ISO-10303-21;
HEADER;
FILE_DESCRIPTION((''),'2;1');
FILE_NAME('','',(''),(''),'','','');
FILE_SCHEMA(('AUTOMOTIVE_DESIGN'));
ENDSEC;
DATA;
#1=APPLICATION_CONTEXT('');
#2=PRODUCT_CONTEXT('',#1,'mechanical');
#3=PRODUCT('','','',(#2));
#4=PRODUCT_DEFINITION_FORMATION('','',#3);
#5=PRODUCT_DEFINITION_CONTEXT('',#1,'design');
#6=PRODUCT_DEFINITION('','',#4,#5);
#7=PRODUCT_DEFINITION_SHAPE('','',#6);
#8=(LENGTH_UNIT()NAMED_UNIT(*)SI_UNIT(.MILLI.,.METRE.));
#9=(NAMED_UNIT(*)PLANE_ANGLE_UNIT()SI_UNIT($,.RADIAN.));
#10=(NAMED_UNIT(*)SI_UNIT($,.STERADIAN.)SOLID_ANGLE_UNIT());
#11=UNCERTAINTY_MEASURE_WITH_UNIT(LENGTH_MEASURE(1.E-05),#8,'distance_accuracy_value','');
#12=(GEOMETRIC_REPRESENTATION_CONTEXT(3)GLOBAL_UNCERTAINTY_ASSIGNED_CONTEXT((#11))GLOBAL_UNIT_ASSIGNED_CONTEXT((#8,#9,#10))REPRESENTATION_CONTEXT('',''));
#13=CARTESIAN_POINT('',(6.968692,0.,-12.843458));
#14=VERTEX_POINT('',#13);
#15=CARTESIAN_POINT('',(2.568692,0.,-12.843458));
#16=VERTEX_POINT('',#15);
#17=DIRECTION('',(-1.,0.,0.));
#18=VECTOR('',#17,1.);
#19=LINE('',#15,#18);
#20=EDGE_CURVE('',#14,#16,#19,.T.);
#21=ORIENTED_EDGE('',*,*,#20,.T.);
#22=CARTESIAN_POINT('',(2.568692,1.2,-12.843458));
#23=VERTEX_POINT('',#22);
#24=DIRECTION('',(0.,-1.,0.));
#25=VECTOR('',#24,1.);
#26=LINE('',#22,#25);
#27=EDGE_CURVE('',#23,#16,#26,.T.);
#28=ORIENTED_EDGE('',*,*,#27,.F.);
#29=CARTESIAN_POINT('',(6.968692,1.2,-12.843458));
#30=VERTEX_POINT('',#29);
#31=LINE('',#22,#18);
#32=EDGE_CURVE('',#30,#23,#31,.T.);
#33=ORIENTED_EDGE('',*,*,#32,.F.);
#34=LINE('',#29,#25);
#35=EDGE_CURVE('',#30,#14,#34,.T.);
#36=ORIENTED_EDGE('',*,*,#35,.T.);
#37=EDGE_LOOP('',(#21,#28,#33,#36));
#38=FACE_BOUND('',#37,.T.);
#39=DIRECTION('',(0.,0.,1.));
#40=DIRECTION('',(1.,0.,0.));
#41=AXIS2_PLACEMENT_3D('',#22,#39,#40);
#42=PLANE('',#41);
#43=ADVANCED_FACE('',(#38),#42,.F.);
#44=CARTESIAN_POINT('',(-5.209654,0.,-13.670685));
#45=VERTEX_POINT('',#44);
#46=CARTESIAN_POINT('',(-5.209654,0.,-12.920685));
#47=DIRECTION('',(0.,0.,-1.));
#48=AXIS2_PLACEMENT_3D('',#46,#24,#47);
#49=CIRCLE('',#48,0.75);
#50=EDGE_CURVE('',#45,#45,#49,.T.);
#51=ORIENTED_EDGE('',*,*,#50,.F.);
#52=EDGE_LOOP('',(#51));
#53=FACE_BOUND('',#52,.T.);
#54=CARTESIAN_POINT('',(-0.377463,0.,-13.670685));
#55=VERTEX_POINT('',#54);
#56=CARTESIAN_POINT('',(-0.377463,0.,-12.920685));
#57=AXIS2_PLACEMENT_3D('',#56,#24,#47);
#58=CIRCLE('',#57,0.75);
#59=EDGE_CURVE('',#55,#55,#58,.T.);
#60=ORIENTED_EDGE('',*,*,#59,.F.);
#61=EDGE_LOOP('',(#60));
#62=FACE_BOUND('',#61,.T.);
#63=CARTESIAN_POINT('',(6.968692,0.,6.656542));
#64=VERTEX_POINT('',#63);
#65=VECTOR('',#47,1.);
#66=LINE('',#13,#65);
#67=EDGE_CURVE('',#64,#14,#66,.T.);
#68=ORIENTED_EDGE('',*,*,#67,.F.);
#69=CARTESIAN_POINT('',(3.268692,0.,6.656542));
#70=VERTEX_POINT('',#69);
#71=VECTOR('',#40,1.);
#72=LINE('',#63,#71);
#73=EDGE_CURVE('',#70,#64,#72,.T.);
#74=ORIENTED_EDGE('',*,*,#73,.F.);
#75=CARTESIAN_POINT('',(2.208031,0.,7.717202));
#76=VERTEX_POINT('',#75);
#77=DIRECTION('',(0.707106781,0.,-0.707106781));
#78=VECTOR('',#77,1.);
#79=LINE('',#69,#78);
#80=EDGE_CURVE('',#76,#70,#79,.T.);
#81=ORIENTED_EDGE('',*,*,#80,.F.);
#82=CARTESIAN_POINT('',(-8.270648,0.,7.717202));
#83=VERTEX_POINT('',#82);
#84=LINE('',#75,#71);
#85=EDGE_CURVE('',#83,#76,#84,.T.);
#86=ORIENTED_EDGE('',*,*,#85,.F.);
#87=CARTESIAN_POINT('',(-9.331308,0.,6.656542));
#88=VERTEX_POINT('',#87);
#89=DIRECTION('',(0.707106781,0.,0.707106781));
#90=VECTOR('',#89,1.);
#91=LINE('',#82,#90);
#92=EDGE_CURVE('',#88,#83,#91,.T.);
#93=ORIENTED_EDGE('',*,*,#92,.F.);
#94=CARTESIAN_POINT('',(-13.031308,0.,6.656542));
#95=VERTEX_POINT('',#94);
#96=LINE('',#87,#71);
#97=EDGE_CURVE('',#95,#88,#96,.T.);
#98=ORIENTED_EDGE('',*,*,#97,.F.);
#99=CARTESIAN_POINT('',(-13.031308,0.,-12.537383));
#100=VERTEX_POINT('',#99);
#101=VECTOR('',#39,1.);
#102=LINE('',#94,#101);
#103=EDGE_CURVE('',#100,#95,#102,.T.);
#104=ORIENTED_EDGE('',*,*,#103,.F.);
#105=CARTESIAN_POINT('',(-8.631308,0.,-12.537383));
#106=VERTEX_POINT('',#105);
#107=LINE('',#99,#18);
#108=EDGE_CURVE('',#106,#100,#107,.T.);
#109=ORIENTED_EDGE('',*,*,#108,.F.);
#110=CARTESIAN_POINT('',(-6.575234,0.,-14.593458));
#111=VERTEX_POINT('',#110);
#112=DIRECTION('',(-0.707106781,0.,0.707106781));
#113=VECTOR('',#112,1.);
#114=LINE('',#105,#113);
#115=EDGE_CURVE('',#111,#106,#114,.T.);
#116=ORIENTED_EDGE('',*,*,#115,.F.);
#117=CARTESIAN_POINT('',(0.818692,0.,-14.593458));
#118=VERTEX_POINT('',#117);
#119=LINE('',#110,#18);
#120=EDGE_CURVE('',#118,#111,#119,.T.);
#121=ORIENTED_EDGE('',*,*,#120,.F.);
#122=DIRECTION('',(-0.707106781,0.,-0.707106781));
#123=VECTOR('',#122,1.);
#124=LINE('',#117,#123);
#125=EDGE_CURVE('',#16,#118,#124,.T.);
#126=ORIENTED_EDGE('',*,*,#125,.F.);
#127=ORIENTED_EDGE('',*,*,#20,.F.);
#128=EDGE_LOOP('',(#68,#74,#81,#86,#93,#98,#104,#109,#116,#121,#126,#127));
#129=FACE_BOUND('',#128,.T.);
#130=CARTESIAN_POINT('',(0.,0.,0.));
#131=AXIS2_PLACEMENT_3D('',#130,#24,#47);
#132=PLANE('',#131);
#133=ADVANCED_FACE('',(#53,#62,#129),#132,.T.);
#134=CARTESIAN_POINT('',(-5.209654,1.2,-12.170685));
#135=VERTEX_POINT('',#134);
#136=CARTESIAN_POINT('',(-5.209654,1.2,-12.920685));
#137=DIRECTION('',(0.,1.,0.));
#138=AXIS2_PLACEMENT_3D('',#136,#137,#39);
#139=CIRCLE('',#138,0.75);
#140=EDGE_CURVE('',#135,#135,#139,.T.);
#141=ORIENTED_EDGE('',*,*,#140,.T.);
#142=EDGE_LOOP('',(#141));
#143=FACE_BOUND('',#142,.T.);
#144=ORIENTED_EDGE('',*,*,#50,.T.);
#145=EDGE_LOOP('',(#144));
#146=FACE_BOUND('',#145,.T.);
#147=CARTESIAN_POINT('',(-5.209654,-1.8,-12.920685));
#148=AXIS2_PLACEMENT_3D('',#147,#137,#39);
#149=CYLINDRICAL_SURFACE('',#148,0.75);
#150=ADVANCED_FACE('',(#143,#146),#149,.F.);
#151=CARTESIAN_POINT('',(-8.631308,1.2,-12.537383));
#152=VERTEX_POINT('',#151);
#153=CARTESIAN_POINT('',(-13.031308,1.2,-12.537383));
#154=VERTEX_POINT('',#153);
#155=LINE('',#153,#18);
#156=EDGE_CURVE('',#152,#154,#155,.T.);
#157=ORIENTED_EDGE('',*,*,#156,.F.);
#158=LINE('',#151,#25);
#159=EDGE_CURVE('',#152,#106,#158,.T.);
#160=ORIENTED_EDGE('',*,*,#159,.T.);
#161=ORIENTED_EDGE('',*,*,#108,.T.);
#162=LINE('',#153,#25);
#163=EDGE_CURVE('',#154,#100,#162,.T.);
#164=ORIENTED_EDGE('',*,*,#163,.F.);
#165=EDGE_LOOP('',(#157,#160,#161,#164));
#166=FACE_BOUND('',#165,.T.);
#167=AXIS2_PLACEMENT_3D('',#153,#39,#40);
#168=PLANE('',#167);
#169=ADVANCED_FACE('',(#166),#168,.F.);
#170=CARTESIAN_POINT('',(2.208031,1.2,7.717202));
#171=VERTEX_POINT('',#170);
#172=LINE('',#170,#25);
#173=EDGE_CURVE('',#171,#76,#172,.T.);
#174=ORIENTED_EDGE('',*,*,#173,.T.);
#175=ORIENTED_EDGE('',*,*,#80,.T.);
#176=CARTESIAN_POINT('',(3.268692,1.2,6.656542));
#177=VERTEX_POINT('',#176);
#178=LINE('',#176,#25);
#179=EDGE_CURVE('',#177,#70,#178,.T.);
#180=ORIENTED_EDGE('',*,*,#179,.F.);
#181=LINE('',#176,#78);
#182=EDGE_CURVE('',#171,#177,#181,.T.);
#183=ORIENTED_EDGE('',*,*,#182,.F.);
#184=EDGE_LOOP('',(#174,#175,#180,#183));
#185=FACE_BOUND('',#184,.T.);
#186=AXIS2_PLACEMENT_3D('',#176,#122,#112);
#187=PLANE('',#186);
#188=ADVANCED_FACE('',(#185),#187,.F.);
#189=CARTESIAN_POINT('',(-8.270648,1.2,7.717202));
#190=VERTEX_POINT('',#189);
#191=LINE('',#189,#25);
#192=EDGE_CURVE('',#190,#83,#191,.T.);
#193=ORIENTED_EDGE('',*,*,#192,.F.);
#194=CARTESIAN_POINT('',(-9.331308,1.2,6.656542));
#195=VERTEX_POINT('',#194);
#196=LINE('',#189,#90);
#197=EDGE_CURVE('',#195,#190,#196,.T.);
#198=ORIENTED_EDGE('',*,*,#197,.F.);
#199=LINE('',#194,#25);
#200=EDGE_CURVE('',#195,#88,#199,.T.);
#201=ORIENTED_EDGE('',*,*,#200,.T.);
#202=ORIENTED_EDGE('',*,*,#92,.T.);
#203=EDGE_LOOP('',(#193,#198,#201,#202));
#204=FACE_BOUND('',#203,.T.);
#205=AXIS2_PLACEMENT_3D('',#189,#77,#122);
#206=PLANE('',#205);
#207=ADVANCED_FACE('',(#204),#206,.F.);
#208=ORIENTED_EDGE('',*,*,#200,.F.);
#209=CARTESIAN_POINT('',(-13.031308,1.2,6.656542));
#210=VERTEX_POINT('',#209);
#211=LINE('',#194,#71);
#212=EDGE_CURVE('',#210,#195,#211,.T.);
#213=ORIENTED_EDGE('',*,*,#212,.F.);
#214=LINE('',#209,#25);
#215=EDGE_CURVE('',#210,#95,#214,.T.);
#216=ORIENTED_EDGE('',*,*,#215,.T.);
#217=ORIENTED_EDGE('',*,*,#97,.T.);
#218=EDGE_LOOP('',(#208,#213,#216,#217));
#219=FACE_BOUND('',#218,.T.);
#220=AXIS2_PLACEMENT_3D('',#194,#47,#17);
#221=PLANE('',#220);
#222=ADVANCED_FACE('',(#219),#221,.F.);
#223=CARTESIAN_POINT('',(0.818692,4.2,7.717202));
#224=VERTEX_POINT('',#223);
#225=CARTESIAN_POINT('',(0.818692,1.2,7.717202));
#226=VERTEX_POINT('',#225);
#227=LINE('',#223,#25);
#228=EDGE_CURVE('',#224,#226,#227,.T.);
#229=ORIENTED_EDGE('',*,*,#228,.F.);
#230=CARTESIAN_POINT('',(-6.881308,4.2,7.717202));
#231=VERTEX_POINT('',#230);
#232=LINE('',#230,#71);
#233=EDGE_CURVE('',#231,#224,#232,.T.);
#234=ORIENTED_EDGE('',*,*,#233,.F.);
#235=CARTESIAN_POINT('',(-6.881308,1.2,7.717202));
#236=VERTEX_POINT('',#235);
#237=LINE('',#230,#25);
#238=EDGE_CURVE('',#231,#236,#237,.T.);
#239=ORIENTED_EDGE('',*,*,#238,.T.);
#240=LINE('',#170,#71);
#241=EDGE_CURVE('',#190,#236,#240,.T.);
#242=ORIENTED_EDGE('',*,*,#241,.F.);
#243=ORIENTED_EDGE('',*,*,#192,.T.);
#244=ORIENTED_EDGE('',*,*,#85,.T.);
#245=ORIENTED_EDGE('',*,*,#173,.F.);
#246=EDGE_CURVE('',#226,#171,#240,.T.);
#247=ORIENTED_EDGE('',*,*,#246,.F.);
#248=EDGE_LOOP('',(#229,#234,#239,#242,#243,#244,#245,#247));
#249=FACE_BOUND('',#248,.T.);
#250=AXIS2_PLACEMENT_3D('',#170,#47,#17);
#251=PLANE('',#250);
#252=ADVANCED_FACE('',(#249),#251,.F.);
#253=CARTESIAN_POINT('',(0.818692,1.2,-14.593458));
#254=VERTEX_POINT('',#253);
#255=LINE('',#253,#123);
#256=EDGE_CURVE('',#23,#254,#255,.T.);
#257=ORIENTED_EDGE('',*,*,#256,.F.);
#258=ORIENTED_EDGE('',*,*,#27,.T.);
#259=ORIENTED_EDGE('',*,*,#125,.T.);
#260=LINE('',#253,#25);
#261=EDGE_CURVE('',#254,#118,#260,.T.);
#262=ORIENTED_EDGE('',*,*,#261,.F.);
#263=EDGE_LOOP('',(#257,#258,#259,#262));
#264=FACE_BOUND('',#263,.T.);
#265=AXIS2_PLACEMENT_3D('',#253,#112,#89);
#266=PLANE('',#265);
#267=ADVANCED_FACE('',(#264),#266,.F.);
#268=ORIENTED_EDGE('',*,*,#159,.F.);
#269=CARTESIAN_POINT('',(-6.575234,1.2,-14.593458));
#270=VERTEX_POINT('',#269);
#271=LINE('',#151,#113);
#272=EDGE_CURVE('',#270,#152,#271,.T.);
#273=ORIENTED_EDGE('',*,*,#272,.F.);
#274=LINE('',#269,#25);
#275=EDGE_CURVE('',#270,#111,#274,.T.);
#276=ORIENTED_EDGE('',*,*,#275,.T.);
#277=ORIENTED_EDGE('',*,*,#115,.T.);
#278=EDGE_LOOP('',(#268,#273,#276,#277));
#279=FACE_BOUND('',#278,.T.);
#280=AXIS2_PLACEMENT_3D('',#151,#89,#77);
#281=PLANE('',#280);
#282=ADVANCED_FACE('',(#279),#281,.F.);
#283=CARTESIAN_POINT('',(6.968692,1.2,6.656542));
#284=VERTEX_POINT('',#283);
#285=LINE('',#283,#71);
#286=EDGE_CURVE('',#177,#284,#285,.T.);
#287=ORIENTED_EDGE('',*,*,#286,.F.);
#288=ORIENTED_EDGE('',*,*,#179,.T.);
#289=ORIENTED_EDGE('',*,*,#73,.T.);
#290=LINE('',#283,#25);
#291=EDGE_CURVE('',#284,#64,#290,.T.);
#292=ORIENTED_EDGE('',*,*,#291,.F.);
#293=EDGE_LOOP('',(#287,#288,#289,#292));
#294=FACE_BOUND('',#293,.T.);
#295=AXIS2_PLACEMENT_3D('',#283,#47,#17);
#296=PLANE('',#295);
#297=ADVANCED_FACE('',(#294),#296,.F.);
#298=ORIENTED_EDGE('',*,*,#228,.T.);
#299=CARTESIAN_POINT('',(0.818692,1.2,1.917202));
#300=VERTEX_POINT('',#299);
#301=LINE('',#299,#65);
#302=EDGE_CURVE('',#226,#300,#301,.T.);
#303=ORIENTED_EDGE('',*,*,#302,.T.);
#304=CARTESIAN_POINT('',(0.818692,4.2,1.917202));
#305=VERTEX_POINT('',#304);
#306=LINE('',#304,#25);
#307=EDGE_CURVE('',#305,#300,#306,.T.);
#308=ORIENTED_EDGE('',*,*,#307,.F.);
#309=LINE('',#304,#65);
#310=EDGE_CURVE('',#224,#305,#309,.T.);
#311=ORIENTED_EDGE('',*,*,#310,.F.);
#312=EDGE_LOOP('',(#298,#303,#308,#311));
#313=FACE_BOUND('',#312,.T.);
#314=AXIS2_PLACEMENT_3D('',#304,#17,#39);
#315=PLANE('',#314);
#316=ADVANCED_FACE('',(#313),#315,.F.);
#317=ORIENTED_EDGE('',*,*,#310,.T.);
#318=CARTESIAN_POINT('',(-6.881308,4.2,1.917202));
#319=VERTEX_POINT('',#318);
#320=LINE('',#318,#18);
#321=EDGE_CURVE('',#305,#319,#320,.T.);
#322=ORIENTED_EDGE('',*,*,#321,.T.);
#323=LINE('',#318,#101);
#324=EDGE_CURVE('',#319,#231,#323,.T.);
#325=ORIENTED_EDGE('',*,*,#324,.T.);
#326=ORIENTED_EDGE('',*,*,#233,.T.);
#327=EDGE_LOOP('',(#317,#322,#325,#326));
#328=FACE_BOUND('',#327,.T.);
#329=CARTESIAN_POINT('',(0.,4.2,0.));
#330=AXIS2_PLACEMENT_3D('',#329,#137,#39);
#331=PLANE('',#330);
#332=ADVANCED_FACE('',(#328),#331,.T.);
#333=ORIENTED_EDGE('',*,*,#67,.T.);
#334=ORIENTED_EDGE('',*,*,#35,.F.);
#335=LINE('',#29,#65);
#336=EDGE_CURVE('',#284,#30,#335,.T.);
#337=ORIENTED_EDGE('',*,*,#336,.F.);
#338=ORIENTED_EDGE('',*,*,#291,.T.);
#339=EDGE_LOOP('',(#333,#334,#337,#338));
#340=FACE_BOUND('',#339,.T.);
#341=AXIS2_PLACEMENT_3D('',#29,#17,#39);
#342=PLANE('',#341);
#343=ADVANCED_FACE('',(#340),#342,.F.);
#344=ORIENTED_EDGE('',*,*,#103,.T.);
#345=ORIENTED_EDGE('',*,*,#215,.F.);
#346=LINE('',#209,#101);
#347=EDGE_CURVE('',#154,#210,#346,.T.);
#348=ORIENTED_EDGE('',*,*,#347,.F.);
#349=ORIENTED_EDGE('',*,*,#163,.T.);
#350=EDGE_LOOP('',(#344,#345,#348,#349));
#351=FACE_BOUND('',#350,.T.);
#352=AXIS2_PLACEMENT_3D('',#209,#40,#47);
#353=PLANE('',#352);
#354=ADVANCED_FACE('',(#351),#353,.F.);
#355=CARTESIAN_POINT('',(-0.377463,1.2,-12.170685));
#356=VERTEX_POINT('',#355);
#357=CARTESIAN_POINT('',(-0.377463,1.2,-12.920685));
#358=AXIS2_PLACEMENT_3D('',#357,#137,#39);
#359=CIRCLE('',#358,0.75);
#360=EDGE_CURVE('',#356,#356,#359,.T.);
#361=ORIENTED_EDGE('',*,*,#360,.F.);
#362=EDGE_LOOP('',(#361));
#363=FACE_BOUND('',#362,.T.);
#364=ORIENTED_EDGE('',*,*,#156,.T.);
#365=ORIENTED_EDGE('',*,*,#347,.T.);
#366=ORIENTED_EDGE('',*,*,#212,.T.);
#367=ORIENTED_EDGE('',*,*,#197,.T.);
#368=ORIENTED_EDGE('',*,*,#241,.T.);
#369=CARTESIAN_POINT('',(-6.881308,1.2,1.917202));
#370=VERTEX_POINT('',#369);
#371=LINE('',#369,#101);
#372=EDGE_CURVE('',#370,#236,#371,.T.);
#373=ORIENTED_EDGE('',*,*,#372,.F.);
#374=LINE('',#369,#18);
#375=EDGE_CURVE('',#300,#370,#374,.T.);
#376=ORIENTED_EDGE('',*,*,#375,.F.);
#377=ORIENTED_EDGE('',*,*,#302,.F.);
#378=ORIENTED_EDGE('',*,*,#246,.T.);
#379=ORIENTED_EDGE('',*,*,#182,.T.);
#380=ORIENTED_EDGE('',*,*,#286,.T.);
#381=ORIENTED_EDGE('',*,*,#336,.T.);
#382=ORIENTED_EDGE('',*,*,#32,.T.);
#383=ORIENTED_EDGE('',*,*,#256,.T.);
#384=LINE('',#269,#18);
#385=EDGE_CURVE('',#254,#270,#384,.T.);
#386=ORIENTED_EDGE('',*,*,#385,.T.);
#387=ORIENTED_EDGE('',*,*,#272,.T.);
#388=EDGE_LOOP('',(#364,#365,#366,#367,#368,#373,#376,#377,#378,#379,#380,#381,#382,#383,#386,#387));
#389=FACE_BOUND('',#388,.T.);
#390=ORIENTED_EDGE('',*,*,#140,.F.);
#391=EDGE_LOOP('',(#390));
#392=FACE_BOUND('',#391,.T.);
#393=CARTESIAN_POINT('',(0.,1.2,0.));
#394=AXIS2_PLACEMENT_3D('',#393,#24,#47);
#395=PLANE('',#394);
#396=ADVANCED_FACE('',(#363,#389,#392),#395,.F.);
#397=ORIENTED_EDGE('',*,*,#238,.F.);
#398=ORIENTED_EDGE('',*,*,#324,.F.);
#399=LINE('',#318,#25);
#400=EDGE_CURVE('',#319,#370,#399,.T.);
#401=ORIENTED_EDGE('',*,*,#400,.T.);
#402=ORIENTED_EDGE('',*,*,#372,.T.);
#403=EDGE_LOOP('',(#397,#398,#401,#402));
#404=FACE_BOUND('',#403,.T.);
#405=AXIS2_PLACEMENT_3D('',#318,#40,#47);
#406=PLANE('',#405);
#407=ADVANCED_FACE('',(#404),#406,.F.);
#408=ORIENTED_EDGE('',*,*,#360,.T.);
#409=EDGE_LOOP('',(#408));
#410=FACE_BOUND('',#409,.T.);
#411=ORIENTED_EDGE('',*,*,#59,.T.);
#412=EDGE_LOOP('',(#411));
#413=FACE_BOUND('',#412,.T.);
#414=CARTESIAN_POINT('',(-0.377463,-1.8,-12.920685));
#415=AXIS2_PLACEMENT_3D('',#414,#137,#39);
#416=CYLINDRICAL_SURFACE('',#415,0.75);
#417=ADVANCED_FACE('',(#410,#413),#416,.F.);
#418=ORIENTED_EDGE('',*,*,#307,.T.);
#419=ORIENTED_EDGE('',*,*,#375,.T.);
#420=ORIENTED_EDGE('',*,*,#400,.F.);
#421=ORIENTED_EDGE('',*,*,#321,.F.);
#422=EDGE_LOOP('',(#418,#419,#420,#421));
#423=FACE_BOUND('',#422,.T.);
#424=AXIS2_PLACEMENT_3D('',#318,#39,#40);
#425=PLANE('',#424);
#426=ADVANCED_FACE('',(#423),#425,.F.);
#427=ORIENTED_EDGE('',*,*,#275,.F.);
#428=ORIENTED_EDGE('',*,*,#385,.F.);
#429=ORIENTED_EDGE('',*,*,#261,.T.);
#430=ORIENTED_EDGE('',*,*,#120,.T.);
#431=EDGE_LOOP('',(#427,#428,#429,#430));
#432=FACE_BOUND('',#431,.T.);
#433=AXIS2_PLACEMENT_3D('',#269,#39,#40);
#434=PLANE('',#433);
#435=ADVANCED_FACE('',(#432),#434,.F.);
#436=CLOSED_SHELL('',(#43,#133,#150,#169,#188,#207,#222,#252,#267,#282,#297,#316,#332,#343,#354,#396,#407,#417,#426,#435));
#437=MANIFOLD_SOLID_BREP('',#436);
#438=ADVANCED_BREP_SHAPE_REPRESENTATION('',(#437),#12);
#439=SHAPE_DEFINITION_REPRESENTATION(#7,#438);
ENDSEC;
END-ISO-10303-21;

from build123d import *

# Parameters (mm, degrees)
BOSS_EXTRUDE1_DEPTH = 1.2
SKETCH2_W           = 7.7
SKETCH2_H           = 5.8
BOSS_EXTRUDE2_DEPTH = 3
SKETCH5_R           = 0.75
CUT_EXTRUDE1_DEPTH  = 3


with BuildPart() as part:
    # Sketch1 → Boss-Extrude1 (new body)
    with BuildSketch(Plane(origin=(0, 0, 0), x_dir=(1, 0, 0), z_dir=(0, 1, 0))):
        Polygon((-13.031308411, -6.656542056), (-13.031308411, 12.537383178), (-8.631308411, 12.537383178), (-6.575233645, 14.593457944), (0.818691589, 14.593457944), (2.568691589, 12.843457944), (6.968691589, 12.843457944), (6.968691589, -6.656542056), (3.268691589, -6.656542056), (2.208031417, -7.717202228), (-8.270648239, -7.717202228), (-9.331308411, -6.656542056), align=None)
    extrude(amount=BOSS_EXTRUDE1_DEPTH)

    # Sketch2 → Boss-Extrude2 (add)
    with BuildSketch(Plane(origin=(0, 1.2, 0), x_dir=(1, 0, 0), z_dir=(0, 1, 0))):
        with Locations((-3.031308411, -4.817202228)):
            Rectangle(SKETCH2_W, SKETCH2_H)
    extrude(amount=BOSS_EXTRUDE2_DEPTH)

    # Sketch5 → Cut-Extrude1 (cut)
    with BuildSketch(Plane(origin=(0, 1.2, 0), x_dir=(1, 0, 0), z_dir=(0, 1, 0))):
        with Locations((-5.209653936, 12.920685244)):
            Circle(SKETCH5_R)
        with Locations((-0.377462837, 12.920685244)):
            Circle(SKETCH5_R)
    extrude(amount=-CUT_EXTRUDE1_DEPTH, mode=Mode.SUBTRACT)


solid = part.part
